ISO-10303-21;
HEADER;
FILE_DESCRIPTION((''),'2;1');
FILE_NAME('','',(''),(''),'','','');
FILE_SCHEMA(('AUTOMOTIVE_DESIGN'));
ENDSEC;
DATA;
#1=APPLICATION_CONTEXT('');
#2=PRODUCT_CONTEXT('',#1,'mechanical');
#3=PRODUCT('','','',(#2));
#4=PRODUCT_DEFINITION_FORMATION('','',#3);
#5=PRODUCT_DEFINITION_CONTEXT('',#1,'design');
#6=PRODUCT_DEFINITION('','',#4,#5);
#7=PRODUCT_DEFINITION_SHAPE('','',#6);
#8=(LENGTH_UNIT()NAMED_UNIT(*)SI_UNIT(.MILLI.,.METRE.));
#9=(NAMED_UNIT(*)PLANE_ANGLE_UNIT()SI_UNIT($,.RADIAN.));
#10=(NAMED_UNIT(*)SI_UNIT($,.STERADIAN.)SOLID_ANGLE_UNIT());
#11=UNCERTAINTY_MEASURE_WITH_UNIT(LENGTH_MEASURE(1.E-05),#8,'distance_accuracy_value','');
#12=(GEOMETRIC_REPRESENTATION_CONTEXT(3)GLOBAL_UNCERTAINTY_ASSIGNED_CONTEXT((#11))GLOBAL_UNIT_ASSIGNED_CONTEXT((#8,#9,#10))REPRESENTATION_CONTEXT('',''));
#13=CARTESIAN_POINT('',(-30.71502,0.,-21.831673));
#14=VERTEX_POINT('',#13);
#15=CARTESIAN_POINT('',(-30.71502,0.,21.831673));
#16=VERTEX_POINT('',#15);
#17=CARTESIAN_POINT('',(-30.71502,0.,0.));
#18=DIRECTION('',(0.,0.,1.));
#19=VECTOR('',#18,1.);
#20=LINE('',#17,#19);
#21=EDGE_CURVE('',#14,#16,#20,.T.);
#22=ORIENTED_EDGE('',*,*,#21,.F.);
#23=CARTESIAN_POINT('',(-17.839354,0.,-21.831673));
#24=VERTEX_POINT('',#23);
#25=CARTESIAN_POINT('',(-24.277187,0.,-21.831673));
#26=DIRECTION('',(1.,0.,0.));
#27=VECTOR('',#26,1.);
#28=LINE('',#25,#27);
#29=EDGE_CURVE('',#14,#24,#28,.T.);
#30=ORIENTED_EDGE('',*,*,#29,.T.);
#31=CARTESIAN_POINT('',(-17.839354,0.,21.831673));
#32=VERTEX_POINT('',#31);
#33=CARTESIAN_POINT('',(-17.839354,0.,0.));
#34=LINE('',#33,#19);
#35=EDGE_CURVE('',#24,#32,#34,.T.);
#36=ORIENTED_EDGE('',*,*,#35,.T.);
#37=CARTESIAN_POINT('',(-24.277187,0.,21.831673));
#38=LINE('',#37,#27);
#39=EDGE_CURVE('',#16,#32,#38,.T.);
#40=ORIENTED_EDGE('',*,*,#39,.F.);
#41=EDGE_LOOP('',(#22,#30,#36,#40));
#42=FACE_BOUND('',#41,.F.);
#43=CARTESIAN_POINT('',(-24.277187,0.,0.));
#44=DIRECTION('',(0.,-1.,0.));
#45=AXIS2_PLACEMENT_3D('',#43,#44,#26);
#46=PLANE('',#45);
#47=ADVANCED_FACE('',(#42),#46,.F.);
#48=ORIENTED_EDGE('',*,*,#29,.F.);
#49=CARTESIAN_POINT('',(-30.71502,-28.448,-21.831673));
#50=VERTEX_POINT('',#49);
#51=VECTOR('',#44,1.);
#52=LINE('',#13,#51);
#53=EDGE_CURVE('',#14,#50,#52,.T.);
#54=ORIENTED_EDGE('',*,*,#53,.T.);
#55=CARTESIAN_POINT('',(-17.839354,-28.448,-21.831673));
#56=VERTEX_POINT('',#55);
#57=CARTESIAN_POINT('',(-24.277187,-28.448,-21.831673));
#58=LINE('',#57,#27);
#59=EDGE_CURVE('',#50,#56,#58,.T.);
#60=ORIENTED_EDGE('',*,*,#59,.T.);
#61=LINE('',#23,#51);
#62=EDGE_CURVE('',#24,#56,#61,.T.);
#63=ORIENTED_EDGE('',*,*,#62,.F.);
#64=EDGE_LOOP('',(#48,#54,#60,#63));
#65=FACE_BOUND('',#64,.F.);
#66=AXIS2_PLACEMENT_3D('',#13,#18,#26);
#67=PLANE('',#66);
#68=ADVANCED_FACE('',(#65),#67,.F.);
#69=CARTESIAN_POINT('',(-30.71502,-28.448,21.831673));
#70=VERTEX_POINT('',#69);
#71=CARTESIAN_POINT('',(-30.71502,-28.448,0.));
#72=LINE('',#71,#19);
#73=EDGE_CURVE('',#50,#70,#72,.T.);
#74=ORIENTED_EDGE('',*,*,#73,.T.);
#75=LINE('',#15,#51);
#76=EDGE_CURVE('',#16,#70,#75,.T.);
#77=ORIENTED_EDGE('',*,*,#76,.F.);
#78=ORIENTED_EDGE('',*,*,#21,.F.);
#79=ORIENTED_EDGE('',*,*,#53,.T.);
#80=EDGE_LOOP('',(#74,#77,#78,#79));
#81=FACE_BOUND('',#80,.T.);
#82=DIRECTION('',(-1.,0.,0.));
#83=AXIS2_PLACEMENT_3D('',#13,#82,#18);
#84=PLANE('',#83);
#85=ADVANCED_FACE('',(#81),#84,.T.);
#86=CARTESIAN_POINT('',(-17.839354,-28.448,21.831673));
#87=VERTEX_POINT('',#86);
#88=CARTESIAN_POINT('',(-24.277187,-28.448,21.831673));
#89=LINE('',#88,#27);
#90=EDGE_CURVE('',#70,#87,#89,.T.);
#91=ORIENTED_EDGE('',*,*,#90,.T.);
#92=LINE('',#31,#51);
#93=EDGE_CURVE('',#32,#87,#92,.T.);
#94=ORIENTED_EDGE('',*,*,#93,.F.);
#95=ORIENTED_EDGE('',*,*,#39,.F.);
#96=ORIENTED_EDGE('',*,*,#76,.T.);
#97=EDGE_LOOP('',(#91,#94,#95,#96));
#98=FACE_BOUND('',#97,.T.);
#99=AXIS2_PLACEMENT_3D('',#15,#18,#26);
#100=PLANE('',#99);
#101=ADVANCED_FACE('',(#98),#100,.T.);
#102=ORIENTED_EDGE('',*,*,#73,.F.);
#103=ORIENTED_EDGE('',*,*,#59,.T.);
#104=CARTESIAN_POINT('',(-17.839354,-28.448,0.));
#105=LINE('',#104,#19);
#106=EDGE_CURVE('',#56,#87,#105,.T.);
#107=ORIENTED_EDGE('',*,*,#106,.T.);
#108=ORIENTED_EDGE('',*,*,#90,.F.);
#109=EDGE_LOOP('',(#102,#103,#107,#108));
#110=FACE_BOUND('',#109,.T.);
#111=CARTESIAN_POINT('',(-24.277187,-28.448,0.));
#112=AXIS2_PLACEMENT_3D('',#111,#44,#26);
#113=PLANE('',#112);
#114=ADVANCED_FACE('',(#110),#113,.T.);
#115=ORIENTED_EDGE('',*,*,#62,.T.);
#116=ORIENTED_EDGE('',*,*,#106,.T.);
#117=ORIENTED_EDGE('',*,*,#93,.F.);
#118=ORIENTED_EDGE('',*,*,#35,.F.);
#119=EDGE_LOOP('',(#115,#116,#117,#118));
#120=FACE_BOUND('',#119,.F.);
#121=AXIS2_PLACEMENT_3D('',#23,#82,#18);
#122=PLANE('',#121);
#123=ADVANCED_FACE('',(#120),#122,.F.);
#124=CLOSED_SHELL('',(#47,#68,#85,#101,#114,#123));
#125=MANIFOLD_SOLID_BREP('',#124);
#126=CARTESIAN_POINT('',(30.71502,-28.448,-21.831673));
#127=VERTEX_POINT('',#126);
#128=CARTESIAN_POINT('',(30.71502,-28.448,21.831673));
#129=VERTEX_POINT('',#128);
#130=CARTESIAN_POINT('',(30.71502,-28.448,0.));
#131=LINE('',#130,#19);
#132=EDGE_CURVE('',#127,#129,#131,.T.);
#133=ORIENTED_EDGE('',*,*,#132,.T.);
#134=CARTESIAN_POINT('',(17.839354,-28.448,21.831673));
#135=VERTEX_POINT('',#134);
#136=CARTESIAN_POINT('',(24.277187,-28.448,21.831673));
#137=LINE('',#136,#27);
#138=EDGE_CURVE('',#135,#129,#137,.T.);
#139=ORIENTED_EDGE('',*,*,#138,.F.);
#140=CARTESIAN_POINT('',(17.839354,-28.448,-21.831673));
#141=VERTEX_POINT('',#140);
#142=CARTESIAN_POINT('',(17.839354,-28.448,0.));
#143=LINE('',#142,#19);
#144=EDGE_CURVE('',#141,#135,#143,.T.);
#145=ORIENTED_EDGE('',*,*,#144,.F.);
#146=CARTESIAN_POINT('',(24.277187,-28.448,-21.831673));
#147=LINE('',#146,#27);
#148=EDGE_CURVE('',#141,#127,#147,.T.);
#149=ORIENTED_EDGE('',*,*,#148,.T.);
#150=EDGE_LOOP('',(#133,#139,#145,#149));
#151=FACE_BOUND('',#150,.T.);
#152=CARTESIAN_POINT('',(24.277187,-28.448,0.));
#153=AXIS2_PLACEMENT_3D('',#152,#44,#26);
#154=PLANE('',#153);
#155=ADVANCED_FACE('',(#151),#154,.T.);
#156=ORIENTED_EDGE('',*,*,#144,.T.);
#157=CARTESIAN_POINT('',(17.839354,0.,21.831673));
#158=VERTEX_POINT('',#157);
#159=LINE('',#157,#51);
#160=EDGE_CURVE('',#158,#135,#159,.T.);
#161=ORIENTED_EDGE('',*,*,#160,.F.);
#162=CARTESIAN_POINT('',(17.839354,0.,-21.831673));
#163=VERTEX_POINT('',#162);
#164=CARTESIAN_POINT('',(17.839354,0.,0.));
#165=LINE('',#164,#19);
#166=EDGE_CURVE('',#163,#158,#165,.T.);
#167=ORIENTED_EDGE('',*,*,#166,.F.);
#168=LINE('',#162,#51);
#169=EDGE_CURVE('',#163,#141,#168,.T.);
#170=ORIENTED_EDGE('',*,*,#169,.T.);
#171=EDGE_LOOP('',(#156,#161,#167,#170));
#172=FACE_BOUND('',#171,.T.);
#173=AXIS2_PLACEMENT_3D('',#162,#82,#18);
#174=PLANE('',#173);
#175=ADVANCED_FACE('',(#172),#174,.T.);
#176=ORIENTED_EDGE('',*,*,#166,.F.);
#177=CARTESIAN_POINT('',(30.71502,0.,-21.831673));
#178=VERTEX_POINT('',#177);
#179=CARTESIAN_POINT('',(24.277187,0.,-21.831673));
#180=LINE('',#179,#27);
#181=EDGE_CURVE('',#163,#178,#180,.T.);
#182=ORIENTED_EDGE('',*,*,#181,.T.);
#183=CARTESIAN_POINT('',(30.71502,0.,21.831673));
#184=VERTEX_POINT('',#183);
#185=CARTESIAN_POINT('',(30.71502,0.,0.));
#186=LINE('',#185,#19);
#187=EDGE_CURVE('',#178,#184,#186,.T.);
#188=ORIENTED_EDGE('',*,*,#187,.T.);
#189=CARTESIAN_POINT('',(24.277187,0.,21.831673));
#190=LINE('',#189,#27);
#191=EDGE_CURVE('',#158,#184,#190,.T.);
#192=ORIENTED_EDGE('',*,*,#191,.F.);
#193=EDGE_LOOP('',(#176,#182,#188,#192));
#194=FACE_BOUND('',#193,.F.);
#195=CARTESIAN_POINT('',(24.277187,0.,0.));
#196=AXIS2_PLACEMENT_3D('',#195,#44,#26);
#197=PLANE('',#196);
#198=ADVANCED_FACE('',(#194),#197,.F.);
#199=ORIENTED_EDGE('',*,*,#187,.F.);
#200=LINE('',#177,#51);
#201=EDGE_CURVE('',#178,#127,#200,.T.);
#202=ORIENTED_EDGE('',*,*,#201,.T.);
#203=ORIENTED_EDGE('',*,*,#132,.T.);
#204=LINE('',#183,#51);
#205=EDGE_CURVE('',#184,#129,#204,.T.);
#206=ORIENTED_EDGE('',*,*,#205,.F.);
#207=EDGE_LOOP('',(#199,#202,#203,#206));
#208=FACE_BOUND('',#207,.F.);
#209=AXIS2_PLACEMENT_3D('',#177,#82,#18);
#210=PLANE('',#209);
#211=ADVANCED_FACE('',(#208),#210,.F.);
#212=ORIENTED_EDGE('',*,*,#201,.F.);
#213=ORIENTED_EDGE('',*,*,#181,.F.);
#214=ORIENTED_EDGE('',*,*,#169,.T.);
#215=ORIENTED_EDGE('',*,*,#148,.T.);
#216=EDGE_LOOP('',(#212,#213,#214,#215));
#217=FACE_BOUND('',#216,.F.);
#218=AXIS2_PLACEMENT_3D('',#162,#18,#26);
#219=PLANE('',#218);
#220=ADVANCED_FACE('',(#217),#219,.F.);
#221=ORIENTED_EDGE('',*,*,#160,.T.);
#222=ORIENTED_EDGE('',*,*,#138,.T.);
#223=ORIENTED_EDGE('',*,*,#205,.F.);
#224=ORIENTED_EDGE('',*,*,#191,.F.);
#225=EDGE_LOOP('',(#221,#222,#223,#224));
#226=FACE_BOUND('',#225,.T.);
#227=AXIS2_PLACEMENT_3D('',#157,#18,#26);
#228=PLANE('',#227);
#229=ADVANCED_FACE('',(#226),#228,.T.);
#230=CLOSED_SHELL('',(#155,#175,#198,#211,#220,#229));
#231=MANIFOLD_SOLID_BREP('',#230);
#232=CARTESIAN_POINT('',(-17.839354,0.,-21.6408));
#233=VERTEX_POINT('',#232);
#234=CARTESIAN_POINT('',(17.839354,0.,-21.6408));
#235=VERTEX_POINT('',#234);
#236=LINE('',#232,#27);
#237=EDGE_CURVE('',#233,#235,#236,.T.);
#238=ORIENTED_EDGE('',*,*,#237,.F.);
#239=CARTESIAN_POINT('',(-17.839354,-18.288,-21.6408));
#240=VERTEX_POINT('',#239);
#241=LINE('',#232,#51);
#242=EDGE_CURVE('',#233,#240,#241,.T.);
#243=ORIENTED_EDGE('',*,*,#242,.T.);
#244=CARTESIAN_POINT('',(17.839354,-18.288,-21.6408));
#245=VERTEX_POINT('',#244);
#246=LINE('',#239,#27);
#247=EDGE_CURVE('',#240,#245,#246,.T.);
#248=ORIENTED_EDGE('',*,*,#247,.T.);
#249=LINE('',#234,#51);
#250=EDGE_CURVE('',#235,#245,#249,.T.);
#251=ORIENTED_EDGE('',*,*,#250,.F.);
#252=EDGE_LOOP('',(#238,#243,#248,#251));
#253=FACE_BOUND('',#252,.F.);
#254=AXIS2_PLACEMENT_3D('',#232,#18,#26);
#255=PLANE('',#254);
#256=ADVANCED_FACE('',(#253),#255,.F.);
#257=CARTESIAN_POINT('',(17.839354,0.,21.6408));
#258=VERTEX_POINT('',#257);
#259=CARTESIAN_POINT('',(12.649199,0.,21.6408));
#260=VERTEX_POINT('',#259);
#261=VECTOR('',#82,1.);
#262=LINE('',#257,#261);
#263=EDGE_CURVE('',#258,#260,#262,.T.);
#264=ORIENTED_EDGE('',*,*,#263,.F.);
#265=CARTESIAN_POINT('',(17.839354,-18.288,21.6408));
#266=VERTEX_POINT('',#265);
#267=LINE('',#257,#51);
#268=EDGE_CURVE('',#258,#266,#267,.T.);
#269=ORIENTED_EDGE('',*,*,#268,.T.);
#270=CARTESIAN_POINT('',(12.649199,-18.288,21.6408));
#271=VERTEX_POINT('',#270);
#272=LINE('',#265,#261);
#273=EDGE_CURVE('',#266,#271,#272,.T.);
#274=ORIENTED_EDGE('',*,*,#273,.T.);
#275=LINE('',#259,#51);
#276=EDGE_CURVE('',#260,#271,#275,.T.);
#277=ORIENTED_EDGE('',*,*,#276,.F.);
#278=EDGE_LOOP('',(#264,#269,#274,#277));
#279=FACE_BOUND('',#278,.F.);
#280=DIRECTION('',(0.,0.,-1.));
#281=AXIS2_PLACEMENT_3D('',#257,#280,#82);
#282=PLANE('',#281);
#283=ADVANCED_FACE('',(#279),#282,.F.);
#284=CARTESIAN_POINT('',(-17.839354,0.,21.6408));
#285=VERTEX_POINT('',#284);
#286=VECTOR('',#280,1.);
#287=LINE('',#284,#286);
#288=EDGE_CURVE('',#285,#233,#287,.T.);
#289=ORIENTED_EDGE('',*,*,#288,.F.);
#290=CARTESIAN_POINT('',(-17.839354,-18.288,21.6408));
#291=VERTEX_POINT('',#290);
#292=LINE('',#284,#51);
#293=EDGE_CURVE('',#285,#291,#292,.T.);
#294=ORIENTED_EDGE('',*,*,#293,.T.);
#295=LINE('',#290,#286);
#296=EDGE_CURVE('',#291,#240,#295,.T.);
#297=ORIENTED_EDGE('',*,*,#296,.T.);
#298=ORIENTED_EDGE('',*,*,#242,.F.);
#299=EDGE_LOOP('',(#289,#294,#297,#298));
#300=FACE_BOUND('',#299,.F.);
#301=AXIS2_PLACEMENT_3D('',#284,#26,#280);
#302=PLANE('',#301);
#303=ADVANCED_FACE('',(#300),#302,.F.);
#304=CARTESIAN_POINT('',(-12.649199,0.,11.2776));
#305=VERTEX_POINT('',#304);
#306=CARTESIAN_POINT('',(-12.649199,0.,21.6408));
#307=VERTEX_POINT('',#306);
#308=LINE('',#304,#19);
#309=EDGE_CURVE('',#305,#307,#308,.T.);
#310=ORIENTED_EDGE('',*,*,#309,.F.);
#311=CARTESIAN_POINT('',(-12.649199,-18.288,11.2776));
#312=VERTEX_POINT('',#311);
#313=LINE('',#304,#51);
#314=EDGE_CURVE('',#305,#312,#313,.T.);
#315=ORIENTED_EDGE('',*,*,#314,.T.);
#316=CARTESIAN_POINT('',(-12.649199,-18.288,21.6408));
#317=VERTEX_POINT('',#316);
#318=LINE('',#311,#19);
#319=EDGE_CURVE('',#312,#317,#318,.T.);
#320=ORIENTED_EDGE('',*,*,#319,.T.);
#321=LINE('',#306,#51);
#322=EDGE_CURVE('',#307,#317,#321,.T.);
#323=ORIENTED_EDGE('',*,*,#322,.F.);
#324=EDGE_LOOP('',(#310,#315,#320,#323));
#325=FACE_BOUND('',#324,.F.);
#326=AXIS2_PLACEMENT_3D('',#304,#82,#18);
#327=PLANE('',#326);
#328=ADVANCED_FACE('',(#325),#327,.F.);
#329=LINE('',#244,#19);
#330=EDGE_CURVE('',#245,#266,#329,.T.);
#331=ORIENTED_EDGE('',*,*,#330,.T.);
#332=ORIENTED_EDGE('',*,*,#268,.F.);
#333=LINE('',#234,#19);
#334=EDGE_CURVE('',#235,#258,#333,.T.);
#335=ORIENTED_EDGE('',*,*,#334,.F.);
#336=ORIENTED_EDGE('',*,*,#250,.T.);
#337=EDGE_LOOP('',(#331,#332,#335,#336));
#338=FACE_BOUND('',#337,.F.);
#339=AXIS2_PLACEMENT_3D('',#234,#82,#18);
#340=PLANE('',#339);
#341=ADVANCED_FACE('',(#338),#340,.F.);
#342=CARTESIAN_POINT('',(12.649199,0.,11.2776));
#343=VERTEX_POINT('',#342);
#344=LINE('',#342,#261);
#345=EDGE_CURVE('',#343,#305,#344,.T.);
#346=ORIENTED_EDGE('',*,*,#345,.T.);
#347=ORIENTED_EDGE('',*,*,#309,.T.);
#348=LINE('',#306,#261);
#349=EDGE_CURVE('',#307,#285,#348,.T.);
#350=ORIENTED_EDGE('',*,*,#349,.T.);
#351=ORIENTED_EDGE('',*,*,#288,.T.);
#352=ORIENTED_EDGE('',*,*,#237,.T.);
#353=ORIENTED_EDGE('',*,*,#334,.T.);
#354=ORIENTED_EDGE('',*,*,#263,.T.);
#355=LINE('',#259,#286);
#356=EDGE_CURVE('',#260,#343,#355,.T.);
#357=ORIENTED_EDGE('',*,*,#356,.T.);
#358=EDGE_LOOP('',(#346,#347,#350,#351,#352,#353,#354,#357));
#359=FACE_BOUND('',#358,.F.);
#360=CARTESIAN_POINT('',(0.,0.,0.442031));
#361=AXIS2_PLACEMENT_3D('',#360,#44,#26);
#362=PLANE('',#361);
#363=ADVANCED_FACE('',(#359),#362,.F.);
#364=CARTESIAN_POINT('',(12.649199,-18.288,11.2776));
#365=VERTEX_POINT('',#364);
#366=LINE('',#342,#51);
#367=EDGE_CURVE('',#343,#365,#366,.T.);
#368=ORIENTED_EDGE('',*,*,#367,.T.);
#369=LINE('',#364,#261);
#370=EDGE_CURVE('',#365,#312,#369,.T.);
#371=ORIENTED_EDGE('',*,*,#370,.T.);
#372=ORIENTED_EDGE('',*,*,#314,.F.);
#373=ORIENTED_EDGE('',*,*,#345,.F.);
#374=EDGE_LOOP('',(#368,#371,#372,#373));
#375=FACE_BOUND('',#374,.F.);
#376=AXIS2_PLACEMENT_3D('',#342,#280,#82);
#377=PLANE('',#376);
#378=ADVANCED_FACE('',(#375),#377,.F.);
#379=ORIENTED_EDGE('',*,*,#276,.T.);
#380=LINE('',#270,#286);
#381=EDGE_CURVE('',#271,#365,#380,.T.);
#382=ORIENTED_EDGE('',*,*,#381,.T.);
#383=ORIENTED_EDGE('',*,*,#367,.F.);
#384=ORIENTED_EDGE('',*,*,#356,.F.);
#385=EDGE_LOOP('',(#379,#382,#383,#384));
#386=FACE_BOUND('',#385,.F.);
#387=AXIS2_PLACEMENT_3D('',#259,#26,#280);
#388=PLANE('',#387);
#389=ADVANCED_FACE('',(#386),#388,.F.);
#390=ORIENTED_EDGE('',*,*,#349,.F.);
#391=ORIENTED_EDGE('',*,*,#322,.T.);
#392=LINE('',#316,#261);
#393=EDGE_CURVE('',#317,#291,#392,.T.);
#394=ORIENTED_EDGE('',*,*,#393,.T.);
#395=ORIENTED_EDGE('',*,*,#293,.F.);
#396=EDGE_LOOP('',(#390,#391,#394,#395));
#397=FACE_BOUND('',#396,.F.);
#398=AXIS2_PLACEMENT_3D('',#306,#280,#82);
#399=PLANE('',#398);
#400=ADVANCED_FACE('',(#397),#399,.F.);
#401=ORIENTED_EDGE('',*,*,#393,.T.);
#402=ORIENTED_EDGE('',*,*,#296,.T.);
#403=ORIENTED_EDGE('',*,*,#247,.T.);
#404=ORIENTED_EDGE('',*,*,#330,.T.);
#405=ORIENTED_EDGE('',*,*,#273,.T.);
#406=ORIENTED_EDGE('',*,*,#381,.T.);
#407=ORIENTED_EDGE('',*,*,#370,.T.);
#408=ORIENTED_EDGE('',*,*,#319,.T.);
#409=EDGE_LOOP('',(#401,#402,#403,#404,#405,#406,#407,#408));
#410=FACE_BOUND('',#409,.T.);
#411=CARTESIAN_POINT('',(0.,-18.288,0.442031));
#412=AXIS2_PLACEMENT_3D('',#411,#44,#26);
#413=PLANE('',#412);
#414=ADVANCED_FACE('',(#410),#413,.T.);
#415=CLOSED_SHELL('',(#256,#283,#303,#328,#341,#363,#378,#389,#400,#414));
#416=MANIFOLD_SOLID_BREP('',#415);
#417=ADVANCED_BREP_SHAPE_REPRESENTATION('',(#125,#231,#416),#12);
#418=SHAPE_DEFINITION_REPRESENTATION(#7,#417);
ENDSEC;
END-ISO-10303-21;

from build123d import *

# Parameters (mm, degrees)
F1_DEPTH = 18.288
F2_W     = 12.875666
F2_H     = 43.663346
F3_DEPTH = 28.448


with BuildPart() as f1:
    # F0 (on Front) → F1 (new body)
    with BuildSketch(Plane.XZ):
        Polygon((-17.839354, -21.6408), (0, -21.6408), (17.839354, -21.6408), (17.839354, 21.6408), (12.649199, 21.6408), (12.649199, 11.2776), (-12.649199, 11.2776), (-12.649199, 21.6408), (-17.839354, 21.6408), align=None)
    extrude(amount=F1_DEPTH)


with BuildPart() as f3:
    # F2 (on Front) → F3 (new body)
    with BuildSketch(Plane.XZ):
        with Locations((-24.277187, 0)):
            Rectangle(F2_W, F2_H)
        with Locations((24.277187, 0)):
            Rectangle(F2_W, F2_H)
    extrude(amount=F3_DEPTH)


solid = Compound([f1.part, f3.part])
